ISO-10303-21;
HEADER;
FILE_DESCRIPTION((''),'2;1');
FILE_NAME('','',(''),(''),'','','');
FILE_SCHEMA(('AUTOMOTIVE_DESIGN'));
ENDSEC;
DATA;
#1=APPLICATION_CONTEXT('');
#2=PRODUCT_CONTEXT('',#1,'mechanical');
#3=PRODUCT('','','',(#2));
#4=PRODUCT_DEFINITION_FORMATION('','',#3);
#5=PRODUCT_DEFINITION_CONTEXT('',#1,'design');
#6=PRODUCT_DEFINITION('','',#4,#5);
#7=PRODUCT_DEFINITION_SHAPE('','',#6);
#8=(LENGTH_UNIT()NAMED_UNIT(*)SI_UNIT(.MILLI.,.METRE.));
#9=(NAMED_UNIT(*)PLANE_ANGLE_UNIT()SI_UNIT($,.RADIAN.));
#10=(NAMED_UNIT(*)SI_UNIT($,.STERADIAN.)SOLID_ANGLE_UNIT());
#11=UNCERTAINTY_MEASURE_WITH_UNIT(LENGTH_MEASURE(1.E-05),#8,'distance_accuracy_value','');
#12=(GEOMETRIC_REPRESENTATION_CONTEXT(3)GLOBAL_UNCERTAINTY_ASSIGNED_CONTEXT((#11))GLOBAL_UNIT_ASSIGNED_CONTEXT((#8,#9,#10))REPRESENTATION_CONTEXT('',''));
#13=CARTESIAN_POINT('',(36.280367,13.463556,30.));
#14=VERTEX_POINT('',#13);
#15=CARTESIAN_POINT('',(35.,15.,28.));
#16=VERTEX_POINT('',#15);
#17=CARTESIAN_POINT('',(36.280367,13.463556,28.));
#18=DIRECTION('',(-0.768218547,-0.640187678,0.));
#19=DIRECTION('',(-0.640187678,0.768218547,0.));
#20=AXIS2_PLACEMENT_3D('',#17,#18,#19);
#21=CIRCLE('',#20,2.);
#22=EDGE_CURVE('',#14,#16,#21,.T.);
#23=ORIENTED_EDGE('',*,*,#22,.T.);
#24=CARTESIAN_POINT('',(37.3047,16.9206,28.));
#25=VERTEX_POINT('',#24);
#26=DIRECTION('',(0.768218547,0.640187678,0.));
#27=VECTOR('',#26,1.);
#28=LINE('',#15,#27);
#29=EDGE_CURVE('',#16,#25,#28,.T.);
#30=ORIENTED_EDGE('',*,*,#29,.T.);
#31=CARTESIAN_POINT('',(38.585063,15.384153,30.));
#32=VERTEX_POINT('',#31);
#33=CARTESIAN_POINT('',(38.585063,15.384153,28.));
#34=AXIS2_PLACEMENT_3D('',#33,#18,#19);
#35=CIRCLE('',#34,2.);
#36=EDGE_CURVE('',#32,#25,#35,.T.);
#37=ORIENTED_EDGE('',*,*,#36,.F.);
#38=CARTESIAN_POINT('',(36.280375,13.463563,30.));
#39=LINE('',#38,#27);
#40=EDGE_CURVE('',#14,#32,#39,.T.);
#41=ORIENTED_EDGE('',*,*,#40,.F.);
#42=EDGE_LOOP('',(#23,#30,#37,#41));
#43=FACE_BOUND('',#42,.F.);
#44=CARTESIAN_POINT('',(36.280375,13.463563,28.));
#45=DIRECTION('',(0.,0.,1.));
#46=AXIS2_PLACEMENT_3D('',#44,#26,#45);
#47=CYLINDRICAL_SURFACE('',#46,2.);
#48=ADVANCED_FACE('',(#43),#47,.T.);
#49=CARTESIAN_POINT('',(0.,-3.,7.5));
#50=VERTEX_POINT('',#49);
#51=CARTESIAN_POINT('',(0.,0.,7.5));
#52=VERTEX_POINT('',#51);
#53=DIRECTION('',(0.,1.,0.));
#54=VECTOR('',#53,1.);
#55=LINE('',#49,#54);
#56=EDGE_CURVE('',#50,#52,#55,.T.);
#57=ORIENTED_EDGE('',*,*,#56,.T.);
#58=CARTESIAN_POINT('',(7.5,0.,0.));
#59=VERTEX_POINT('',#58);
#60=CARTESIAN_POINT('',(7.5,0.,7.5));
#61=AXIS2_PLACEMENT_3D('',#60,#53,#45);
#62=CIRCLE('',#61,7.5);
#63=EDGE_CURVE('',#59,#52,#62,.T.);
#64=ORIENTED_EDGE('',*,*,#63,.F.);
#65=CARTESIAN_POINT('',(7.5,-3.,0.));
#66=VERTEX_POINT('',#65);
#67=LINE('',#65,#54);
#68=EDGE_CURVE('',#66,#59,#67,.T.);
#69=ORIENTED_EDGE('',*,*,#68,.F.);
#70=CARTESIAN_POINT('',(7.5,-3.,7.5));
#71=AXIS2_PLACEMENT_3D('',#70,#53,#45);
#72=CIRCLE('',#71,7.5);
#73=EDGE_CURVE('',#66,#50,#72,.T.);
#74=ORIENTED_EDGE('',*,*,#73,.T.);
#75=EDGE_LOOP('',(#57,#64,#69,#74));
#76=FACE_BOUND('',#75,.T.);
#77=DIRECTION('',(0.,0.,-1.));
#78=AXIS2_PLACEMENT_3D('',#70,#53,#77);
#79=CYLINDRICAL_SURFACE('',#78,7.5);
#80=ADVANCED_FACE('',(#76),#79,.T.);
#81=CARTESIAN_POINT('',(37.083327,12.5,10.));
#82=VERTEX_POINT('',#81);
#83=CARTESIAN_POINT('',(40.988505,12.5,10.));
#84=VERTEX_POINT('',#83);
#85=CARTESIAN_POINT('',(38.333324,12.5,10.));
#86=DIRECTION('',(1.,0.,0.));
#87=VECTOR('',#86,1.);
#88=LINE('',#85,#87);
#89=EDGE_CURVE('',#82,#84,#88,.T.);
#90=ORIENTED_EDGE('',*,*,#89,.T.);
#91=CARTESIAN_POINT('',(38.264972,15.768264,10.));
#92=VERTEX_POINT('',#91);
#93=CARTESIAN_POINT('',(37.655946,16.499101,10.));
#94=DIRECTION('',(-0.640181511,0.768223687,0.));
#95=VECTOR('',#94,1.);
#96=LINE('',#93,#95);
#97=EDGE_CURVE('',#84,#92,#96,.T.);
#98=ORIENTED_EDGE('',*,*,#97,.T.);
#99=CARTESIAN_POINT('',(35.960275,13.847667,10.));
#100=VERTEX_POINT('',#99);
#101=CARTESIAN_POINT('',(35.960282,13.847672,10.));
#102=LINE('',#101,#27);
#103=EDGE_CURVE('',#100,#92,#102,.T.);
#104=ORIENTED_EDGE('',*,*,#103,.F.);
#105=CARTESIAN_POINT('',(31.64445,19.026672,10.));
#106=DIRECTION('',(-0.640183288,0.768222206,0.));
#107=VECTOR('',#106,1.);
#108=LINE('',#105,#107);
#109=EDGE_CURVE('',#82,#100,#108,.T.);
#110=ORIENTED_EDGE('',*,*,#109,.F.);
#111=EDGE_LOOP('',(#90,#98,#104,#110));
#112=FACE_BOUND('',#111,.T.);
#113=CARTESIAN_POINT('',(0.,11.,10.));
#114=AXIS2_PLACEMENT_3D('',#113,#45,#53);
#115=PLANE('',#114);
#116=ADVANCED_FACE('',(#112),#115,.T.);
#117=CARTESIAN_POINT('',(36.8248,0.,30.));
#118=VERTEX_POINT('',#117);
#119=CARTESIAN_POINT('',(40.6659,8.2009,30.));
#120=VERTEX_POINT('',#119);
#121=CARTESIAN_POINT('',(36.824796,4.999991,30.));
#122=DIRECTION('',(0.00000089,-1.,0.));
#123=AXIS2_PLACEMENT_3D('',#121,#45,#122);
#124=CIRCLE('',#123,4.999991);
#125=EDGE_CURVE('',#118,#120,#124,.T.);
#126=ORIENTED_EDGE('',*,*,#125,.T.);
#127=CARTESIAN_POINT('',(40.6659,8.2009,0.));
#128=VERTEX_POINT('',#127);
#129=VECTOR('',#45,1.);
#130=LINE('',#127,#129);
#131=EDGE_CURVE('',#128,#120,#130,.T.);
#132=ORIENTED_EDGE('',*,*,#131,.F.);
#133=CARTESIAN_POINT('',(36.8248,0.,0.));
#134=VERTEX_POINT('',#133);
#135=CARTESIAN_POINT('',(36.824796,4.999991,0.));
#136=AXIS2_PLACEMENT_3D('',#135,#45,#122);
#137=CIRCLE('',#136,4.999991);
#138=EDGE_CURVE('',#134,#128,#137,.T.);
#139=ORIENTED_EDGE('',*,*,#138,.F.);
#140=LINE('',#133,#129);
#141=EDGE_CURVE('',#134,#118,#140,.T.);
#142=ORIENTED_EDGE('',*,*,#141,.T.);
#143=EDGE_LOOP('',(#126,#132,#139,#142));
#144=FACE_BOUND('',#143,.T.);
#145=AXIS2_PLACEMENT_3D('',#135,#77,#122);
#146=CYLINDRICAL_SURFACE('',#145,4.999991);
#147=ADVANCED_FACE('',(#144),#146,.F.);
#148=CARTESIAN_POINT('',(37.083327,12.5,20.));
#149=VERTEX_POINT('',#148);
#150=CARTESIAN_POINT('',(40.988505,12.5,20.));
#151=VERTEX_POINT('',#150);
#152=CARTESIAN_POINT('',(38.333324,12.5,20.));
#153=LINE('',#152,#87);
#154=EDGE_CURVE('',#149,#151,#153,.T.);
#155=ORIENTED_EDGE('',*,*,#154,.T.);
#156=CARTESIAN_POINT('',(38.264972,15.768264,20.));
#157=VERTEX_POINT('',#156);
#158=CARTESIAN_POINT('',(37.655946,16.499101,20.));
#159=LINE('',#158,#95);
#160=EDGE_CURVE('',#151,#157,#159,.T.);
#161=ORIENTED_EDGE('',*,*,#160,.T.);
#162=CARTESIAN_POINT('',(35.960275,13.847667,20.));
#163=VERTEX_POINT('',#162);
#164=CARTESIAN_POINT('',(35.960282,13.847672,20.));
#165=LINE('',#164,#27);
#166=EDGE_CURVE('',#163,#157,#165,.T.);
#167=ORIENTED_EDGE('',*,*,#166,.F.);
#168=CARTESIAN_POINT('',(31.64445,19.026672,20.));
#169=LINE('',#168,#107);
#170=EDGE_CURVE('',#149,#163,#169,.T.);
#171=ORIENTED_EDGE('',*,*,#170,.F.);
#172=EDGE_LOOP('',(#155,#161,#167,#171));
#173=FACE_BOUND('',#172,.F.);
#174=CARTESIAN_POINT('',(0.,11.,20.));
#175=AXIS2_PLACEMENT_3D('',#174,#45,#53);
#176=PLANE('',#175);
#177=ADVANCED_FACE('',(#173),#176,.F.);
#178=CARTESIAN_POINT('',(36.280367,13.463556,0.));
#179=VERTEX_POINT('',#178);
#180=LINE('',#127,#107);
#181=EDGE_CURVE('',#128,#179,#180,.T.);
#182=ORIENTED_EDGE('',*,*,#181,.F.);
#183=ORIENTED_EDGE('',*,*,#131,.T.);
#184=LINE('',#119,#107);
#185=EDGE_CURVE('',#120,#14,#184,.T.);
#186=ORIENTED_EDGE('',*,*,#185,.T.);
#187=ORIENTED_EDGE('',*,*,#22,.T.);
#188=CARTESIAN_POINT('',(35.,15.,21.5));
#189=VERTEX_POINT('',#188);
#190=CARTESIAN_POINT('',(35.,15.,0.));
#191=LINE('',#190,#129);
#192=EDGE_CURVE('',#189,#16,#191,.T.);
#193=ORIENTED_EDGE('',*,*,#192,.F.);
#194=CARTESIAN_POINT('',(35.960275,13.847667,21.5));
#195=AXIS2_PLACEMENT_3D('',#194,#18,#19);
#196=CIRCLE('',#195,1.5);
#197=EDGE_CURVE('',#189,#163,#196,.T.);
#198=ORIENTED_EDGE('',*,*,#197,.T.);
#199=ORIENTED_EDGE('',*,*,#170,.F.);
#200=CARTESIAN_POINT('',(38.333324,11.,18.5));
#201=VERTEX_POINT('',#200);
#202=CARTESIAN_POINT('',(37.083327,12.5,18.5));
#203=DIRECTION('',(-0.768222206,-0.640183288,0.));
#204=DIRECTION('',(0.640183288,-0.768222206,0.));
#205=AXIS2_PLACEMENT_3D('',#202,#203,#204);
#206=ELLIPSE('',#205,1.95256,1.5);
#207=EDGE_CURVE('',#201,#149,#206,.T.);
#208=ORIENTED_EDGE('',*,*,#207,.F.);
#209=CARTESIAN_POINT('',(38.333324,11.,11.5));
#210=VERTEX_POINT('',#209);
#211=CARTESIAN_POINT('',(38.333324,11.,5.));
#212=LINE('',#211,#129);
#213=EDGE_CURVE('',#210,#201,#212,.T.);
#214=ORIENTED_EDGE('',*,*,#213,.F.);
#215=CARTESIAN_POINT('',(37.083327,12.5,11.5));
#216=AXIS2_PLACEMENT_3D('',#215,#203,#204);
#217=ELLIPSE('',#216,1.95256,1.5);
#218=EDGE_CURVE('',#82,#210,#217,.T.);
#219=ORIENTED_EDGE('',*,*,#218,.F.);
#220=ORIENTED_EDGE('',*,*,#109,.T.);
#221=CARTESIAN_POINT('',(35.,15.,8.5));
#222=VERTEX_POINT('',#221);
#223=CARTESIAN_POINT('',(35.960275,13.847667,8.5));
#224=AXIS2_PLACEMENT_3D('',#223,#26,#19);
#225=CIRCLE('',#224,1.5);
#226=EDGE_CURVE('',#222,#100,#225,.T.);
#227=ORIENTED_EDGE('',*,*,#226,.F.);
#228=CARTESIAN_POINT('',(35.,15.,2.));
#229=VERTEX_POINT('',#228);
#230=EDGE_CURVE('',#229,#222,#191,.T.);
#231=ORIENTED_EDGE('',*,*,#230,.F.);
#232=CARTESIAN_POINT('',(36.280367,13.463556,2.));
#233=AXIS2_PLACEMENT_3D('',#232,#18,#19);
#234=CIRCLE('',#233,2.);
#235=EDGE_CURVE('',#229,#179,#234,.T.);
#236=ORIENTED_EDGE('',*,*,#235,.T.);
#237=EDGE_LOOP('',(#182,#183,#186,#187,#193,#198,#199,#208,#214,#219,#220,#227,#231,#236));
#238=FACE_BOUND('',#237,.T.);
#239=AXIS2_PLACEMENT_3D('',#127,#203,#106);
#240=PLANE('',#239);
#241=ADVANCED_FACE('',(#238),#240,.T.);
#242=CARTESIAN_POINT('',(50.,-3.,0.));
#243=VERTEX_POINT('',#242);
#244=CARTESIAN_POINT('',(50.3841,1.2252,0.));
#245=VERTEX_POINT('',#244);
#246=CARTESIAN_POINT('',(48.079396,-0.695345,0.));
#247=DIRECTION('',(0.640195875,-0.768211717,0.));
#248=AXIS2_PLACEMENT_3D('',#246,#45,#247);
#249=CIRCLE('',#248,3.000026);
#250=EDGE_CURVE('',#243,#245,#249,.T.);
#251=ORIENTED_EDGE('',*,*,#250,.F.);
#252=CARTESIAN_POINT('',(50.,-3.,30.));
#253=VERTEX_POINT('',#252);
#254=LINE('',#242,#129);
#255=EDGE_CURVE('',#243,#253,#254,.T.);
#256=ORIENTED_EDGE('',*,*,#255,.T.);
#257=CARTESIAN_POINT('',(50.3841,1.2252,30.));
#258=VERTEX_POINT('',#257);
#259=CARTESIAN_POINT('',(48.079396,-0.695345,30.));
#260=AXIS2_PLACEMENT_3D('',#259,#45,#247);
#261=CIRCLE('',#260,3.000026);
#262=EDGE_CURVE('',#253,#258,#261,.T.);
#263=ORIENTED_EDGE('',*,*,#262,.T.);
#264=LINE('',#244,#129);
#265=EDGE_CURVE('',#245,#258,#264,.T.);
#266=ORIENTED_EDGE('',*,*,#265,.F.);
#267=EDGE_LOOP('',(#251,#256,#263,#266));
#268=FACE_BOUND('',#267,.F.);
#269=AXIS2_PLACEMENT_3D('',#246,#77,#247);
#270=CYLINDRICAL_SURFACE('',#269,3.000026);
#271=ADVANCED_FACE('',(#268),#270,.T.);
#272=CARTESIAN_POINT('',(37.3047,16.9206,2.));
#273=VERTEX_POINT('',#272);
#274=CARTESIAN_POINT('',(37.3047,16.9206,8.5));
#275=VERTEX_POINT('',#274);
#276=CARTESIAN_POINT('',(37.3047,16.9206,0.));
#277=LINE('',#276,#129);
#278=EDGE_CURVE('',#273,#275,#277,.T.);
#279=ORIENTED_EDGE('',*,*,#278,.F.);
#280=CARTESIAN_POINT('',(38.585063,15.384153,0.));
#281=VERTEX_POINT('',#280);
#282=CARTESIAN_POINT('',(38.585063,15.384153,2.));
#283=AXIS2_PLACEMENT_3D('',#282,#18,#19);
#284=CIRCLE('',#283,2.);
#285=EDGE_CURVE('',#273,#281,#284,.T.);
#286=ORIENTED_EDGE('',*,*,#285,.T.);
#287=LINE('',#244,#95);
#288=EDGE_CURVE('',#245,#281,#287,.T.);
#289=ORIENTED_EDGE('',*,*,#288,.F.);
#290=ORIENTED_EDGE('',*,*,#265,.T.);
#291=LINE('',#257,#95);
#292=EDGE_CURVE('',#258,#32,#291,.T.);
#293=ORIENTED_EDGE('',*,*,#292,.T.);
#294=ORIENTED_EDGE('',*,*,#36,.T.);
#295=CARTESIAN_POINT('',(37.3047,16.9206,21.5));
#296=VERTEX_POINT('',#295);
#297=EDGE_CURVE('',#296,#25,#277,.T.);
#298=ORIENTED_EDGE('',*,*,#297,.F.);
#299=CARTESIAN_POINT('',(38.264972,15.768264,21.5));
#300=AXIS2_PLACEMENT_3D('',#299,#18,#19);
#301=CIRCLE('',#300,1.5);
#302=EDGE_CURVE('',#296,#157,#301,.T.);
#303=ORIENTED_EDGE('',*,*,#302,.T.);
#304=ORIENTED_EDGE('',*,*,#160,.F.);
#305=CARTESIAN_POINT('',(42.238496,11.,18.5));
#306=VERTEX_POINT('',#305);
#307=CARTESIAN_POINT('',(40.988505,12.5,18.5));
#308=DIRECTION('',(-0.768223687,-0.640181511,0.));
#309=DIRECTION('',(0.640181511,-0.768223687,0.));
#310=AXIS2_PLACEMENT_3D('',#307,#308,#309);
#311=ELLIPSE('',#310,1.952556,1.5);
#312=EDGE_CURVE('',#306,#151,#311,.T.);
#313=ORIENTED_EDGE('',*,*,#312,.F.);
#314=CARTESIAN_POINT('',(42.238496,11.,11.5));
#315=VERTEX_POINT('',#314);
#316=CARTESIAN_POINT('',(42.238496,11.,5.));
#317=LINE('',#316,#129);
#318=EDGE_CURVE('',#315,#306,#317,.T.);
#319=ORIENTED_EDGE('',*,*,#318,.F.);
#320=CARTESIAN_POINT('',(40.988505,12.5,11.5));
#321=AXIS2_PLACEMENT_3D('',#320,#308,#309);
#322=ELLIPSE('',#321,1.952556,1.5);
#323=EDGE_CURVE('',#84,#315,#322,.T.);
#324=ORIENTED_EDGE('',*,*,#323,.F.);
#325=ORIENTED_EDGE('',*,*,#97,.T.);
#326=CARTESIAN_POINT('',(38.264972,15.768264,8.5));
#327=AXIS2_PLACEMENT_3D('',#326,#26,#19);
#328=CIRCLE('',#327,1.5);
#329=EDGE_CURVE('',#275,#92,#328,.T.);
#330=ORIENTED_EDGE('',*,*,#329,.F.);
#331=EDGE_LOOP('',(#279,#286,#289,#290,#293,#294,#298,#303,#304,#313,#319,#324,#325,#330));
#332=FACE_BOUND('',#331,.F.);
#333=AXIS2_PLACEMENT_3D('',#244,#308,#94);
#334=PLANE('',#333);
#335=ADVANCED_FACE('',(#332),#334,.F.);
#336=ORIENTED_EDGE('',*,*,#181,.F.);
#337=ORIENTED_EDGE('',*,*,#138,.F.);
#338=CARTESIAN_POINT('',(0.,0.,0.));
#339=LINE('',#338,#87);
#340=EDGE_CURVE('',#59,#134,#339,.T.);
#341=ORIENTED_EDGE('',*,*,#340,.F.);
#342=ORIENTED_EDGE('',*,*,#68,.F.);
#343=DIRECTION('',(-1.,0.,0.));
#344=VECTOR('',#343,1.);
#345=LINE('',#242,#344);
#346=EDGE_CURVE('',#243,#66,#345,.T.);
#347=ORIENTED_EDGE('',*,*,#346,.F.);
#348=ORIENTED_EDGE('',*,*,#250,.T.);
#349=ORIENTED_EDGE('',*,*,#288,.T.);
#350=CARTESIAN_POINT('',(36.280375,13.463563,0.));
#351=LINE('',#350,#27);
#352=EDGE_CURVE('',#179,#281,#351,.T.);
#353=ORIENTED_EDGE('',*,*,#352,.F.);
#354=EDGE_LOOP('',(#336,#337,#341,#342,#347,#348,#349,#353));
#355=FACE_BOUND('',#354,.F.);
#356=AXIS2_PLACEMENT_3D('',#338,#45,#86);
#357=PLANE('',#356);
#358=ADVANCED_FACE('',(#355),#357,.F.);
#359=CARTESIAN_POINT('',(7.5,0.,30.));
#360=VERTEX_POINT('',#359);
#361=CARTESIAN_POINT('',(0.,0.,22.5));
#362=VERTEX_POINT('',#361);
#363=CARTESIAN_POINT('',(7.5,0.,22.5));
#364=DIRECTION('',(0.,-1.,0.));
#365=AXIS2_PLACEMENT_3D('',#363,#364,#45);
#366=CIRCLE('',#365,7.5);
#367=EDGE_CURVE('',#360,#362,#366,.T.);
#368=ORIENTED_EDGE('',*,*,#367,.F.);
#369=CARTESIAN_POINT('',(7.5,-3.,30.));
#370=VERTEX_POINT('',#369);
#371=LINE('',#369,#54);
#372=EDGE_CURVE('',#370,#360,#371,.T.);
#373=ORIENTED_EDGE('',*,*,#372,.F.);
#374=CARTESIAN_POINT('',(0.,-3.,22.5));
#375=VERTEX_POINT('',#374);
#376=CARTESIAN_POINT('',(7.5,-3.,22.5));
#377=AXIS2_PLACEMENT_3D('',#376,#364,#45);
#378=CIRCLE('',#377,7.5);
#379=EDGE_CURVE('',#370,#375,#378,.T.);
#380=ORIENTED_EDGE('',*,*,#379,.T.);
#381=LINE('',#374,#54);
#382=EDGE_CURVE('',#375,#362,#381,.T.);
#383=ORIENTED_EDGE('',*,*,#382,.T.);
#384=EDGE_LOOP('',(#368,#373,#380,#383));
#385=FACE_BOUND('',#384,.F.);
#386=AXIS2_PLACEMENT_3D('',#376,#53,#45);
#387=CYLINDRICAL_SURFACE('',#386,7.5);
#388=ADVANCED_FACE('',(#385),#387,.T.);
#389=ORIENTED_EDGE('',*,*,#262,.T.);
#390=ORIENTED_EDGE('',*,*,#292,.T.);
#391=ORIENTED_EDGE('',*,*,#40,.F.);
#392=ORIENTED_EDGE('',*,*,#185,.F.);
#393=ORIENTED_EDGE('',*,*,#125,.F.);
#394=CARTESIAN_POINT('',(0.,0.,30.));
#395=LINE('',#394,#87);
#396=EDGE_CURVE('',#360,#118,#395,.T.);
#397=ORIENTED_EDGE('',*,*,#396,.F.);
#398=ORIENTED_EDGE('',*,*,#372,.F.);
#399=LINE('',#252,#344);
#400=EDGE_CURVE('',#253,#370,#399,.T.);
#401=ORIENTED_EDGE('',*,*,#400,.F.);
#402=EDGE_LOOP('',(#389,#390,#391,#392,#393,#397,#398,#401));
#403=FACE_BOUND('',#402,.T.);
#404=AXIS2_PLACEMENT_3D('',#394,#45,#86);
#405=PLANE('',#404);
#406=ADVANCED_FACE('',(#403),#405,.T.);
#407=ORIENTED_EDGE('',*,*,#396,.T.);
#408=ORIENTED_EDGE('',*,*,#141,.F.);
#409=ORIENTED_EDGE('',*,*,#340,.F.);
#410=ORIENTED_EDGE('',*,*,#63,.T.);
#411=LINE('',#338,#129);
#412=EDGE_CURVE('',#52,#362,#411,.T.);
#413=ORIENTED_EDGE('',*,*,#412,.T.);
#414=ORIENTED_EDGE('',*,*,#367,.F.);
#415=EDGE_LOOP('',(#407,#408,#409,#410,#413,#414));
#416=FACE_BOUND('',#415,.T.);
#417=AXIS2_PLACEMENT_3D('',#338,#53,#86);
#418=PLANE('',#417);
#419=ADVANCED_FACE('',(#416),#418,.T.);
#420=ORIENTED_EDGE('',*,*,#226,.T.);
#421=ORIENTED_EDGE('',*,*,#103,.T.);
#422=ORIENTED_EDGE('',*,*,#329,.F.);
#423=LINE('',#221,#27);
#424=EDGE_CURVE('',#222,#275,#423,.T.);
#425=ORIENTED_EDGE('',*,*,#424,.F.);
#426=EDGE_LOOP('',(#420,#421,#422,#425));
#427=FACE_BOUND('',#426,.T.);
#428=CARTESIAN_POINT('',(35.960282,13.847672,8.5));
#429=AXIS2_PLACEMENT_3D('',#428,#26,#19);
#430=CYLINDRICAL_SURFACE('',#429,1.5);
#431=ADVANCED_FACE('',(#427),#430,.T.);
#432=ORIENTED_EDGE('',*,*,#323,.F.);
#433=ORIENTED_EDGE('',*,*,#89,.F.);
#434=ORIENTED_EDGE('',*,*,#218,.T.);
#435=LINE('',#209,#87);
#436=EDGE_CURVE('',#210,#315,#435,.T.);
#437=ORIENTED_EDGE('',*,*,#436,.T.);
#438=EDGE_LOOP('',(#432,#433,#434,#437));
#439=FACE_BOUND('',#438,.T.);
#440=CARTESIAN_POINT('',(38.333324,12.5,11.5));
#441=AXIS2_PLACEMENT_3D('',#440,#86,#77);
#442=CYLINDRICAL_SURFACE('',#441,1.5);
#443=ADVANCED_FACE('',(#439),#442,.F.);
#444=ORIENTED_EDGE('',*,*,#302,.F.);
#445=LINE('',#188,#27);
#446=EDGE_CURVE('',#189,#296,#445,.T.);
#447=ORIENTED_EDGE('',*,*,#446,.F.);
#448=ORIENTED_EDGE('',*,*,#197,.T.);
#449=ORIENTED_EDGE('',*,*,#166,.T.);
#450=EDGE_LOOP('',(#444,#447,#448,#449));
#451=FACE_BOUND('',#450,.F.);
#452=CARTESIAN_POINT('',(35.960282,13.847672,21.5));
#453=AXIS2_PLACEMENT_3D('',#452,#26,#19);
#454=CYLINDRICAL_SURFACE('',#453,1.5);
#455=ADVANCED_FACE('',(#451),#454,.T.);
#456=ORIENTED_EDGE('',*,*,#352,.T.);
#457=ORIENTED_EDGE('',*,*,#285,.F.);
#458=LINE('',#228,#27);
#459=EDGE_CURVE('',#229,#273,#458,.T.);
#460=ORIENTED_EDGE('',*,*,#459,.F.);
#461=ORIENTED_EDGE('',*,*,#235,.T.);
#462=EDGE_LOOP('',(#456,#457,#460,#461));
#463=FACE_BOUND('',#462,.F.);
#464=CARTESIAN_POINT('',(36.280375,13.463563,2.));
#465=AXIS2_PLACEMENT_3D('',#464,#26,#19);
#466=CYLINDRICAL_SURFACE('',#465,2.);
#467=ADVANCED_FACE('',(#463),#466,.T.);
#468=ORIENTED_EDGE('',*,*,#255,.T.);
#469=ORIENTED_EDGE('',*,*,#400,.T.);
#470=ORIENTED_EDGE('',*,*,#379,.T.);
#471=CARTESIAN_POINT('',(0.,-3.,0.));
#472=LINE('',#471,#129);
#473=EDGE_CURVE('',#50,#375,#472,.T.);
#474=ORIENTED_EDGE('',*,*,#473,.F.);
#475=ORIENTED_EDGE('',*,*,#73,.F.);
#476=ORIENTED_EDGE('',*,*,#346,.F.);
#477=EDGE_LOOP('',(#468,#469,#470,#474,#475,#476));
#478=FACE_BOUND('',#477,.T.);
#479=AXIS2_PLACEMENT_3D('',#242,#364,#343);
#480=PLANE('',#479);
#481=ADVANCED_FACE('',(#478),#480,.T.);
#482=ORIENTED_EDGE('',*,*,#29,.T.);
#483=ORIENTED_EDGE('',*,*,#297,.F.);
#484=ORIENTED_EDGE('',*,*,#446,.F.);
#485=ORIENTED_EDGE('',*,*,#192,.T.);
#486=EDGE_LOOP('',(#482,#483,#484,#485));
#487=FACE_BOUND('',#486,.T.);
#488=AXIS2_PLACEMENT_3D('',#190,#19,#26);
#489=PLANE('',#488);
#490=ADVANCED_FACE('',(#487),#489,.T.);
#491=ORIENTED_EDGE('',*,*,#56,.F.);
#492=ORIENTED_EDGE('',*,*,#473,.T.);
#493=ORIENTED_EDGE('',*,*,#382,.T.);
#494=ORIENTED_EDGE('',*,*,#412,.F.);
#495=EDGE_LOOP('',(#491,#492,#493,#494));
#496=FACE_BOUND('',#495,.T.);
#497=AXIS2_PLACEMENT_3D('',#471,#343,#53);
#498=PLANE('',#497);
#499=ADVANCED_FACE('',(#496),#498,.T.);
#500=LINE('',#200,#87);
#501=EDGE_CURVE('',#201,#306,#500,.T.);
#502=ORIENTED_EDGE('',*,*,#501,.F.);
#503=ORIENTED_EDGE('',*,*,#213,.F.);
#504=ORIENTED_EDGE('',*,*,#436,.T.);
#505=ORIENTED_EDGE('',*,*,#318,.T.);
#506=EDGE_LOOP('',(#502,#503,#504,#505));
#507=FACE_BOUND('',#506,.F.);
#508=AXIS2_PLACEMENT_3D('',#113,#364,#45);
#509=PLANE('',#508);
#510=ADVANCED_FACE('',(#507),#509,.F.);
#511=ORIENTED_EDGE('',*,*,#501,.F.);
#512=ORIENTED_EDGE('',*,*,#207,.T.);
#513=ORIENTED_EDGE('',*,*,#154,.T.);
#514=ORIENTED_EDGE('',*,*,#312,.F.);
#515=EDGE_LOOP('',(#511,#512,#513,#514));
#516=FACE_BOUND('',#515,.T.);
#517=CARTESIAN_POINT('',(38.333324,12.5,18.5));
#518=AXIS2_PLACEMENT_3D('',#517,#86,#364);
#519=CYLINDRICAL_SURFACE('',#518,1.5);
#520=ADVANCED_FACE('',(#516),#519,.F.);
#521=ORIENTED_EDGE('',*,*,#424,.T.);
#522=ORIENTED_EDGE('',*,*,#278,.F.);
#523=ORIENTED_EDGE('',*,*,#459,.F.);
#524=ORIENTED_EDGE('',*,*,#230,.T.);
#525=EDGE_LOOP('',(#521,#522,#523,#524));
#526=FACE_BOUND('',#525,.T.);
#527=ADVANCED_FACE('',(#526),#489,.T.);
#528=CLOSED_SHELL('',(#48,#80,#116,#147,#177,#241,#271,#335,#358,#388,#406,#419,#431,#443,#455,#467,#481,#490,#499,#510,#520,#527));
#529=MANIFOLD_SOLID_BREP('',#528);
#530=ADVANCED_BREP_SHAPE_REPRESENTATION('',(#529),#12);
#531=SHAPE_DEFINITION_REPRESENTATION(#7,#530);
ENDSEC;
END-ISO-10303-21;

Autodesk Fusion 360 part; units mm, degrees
sketch "Sketch1" plane through (0, 0, 0) normal (0, 0, 1) x (1, 0, 0)
  line L0 (0, 0) -> (36.8248, 0)
  line L1 (50, -3) -> (0, -3)
  line L2 (0, -3) -> (0, 0)
  line L3 (40.6659, 8.2009) -> (35, 15)
  line L4 (50.3841, 1.2252) -> (37.3047, 16.9206)
  line L5 (35, 15) -> (37.3047, 16.9206)
  arc A0 (50, -3) -> (50.3841, 1.2252) centre (48.0794, -0.6953) ccw
  arc A1 (36.8248, 0) -> (40.6659, 8.2009) centre (36.8248, 5) ccw
  dimension "d1" = 3
  dimension "d3" = 3
  dimension "d4" = 5
extrude "Extrude1" add sketch "Sketch1" along normal blind 30
sketch "Sketch2" plane through (0, 0, 0) normal (1, 0, 0) x (0, 1, 0)
  line L0 (0, 0) -> (0, 30)
  line L1 (0, 10) -> (25, 10)
  line L2 (0, 20) -> (25, 20)
  line L3 (11, 10) -> (11, 20)
  line L4 (20, 10) -> (20, 20)
extrude "Extrude2" cut sketch "Sketch2" along normal blind 58 contours L1 L2 L3 L4
fillet "Fillet1" radius 1.5 2 edges at (36.1523, 15.9603, 20) (36.1523, 15.9603, 10)
fillet "Fillet2" radius 1.5 2 edges at (40.2859, 11, 20) (40.2859, 11, 10)
fillet "Fillet3" radius 2 2 edges at (36.1523, 15.9603, 0) (36.1523, 15.9603, 30)
fillet "Fillet4" radius 7.5 2 edges at (0, -1.5, 0) (0, -1.5, 30)
